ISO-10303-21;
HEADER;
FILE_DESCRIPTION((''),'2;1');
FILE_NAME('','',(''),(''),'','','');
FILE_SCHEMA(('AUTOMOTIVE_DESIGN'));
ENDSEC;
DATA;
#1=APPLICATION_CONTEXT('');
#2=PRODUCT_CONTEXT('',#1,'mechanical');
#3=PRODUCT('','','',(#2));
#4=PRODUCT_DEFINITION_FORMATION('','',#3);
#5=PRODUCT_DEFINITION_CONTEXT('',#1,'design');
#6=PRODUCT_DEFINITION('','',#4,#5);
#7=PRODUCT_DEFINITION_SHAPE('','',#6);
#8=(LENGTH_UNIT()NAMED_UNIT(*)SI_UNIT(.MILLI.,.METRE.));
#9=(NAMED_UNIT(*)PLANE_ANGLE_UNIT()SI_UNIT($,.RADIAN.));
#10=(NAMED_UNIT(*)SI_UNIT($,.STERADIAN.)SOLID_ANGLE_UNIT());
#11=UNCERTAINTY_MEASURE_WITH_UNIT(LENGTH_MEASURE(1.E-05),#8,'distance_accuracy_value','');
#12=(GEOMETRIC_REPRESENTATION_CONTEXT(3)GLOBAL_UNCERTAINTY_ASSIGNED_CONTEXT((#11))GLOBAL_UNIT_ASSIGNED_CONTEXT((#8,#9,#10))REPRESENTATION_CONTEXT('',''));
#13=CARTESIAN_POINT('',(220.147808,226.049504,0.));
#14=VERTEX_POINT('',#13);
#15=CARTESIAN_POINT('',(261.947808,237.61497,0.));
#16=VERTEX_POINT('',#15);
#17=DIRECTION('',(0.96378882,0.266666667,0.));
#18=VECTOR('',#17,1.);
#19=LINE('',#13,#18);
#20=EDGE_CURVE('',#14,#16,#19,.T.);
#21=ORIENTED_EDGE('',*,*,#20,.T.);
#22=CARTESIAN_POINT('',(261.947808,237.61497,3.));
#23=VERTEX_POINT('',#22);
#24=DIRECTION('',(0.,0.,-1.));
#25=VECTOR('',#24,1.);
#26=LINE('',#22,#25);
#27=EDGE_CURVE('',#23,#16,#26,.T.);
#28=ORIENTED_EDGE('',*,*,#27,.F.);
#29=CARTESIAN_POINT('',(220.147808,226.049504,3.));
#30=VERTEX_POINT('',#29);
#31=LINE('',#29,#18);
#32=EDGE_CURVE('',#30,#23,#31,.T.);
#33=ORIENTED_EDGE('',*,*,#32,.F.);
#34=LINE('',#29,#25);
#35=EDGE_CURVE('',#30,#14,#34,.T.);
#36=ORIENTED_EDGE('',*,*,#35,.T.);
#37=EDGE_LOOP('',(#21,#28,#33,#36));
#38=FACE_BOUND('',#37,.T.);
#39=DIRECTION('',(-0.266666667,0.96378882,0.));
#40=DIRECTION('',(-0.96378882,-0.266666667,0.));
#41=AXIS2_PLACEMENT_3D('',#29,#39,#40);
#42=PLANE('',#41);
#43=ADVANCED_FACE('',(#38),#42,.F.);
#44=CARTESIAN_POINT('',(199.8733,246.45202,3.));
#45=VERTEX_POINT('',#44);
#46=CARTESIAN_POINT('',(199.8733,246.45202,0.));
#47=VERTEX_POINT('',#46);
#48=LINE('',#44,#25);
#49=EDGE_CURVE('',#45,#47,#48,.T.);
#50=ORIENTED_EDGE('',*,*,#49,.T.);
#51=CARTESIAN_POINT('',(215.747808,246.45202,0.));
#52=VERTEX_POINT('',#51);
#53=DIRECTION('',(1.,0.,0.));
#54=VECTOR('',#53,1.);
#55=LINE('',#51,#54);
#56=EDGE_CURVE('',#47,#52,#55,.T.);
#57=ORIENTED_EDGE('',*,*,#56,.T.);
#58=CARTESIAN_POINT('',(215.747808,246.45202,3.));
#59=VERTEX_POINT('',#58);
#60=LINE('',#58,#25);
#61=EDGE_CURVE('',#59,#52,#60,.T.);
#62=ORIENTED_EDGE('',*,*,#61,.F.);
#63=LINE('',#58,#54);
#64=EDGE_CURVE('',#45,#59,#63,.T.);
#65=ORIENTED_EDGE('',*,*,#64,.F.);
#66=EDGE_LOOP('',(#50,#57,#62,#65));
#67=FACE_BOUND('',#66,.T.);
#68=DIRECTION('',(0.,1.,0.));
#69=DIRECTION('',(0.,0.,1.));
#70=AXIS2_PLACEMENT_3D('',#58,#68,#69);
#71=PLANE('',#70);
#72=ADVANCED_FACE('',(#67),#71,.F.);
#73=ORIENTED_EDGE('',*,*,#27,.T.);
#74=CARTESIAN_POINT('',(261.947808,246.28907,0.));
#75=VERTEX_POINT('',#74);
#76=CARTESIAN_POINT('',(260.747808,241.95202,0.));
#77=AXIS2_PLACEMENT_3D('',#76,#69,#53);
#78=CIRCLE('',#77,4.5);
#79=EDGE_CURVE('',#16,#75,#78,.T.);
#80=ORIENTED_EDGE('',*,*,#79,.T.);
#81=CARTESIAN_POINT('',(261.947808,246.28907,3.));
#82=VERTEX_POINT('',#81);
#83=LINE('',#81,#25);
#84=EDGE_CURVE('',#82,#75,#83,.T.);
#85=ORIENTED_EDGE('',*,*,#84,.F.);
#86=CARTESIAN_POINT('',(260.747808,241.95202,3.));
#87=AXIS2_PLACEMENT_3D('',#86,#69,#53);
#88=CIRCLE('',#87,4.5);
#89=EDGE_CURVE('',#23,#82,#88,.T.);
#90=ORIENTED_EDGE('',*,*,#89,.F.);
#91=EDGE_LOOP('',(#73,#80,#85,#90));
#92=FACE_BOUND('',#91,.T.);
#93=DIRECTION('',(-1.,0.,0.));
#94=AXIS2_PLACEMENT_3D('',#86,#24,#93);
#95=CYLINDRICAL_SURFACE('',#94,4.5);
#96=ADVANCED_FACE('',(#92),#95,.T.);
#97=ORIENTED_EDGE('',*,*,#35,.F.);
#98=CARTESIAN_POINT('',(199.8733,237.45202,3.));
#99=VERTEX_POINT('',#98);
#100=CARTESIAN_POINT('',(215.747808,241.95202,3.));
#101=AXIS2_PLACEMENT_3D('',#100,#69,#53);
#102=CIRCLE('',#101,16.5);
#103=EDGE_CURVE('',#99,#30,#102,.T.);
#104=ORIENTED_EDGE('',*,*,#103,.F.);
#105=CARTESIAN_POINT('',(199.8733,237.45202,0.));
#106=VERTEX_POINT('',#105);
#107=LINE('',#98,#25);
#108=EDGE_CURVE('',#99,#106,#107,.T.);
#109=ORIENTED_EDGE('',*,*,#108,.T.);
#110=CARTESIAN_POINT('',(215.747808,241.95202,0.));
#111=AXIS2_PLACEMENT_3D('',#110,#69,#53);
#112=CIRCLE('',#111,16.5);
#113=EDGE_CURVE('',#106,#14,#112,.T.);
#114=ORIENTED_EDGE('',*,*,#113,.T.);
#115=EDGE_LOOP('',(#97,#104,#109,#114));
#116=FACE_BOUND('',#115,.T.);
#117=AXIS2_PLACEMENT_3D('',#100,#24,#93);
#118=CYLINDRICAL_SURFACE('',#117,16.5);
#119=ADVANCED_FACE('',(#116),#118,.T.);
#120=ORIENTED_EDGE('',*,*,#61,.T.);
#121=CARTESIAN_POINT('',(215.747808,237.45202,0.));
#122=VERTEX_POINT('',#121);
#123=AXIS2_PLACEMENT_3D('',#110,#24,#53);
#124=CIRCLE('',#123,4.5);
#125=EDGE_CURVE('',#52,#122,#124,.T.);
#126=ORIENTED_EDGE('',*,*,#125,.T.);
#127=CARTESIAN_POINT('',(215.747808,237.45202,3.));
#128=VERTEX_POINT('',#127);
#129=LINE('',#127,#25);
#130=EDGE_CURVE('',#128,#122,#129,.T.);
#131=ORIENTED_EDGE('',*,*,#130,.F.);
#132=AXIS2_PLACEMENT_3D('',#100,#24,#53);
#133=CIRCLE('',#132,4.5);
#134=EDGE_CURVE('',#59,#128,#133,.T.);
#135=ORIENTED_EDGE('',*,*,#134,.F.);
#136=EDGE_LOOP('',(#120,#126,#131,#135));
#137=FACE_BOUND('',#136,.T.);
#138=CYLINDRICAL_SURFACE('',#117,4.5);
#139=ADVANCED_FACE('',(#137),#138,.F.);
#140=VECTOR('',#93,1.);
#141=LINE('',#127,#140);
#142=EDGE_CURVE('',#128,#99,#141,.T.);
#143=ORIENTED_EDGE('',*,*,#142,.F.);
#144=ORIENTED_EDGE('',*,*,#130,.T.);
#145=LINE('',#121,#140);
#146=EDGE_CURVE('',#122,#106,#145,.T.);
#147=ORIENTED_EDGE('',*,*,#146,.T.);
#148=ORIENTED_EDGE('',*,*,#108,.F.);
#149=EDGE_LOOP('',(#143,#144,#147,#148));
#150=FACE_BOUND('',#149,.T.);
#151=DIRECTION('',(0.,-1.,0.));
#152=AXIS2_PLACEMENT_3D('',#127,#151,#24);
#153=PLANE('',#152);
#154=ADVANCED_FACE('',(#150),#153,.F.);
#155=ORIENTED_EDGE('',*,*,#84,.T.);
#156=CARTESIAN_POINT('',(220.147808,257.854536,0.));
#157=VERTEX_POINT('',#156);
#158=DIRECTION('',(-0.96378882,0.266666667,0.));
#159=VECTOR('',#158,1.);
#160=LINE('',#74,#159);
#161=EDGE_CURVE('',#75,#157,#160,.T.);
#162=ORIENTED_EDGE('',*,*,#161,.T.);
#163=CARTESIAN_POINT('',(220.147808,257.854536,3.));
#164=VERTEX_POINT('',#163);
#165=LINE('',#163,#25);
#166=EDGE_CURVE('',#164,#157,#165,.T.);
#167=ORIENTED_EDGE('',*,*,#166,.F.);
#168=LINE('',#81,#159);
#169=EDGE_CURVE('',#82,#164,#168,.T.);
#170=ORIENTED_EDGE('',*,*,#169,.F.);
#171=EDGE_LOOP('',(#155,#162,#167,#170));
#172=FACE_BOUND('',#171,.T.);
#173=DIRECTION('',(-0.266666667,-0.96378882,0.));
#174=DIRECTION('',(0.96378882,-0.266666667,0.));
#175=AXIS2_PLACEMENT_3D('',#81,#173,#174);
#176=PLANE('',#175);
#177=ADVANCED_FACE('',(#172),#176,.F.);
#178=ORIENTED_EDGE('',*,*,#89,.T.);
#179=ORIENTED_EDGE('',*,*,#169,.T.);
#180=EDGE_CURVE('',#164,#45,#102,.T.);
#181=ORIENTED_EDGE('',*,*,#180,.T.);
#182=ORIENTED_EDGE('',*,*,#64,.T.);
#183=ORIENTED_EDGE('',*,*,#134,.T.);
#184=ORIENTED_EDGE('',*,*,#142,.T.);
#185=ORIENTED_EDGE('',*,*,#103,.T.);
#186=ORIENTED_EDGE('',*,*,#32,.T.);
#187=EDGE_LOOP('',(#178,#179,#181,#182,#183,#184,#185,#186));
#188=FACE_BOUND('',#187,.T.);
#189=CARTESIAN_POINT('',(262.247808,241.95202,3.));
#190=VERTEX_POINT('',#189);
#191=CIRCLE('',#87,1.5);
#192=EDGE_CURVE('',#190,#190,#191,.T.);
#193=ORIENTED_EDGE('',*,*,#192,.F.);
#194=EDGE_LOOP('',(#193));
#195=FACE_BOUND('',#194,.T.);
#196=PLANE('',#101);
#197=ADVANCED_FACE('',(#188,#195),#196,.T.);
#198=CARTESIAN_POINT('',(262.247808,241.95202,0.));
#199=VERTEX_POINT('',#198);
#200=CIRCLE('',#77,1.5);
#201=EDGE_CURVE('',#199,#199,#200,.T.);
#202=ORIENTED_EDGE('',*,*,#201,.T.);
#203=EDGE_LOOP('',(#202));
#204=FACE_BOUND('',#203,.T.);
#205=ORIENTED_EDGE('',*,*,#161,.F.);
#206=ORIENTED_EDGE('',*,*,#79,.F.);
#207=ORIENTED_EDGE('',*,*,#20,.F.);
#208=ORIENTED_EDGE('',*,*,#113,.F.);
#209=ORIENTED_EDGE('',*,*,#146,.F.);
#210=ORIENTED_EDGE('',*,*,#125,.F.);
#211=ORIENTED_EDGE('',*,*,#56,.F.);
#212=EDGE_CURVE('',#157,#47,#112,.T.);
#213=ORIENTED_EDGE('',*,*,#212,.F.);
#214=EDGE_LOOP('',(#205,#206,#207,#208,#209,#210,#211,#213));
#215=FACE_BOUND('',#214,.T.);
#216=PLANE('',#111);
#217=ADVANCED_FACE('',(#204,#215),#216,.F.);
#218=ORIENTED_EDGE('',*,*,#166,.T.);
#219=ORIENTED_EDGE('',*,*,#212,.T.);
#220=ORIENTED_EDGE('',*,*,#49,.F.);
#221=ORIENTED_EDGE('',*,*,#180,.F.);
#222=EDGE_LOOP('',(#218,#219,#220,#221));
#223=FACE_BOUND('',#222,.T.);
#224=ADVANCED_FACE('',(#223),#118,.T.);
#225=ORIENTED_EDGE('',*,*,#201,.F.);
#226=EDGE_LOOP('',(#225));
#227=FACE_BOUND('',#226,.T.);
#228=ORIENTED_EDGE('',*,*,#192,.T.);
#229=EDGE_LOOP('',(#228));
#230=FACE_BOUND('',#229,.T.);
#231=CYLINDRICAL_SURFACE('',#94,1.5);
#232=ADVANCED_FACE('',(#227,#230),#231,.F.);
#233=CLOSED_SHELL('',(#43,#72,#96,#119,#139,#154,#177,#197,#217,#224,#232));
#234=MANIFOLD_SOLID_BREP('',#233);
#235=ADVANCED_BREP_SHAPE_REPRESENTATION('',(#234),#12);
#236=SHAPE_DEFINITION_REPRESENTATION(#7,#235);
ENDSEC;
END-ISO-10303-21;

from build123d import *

# Parameters (mm, degrees)
MODEL_R                 = 1.5
SALIENTE_EXTRUIR1_DEPTH = 3


with BuildPart() as part:
    # Model → Saliente-Extruir1 (new body)
    with BuildSketch(Plane.XY):
        with BuildLine():
            Line((220.147807914, 226.049504469), (261.947807914, 237.614970305))
            ThreePointArc((261.947807914, 237.614970305), (265.247807914, 241.952019993), (261.947807914, 246.289069682))
            Line((261.947807914, 246.289069682), (220.147807914, 257.854535517))
            ThreePointArc((220.147807914, 257.854535517), (207.659518678, 256.333590743), (199.873300047, 246.452019993))
            Line((199.873300047, 246.452019993), (215.747807914, 246.452019993))
            ThreePointArc((215.747807914, 246.452019993), (220.247807913, 241.952019993), (215.747807914, 237.452019993))
            Line((215.747807914, 237.452019993), (199.873300047, 237.452019993))
            ThreePointArc((199.873300047, 237.452019993), (207.659518678, 227.570449243), (220.147807914, 226.049504469))
        make_face()
        with Locations((260.747807914, 241.952019993)):
            Circle(MODEL_R, mode=Mode.SUBTRACT)
    extrude(amount=SALIENTE_EXTRUIR1_DEPTH)


solid = part.part
